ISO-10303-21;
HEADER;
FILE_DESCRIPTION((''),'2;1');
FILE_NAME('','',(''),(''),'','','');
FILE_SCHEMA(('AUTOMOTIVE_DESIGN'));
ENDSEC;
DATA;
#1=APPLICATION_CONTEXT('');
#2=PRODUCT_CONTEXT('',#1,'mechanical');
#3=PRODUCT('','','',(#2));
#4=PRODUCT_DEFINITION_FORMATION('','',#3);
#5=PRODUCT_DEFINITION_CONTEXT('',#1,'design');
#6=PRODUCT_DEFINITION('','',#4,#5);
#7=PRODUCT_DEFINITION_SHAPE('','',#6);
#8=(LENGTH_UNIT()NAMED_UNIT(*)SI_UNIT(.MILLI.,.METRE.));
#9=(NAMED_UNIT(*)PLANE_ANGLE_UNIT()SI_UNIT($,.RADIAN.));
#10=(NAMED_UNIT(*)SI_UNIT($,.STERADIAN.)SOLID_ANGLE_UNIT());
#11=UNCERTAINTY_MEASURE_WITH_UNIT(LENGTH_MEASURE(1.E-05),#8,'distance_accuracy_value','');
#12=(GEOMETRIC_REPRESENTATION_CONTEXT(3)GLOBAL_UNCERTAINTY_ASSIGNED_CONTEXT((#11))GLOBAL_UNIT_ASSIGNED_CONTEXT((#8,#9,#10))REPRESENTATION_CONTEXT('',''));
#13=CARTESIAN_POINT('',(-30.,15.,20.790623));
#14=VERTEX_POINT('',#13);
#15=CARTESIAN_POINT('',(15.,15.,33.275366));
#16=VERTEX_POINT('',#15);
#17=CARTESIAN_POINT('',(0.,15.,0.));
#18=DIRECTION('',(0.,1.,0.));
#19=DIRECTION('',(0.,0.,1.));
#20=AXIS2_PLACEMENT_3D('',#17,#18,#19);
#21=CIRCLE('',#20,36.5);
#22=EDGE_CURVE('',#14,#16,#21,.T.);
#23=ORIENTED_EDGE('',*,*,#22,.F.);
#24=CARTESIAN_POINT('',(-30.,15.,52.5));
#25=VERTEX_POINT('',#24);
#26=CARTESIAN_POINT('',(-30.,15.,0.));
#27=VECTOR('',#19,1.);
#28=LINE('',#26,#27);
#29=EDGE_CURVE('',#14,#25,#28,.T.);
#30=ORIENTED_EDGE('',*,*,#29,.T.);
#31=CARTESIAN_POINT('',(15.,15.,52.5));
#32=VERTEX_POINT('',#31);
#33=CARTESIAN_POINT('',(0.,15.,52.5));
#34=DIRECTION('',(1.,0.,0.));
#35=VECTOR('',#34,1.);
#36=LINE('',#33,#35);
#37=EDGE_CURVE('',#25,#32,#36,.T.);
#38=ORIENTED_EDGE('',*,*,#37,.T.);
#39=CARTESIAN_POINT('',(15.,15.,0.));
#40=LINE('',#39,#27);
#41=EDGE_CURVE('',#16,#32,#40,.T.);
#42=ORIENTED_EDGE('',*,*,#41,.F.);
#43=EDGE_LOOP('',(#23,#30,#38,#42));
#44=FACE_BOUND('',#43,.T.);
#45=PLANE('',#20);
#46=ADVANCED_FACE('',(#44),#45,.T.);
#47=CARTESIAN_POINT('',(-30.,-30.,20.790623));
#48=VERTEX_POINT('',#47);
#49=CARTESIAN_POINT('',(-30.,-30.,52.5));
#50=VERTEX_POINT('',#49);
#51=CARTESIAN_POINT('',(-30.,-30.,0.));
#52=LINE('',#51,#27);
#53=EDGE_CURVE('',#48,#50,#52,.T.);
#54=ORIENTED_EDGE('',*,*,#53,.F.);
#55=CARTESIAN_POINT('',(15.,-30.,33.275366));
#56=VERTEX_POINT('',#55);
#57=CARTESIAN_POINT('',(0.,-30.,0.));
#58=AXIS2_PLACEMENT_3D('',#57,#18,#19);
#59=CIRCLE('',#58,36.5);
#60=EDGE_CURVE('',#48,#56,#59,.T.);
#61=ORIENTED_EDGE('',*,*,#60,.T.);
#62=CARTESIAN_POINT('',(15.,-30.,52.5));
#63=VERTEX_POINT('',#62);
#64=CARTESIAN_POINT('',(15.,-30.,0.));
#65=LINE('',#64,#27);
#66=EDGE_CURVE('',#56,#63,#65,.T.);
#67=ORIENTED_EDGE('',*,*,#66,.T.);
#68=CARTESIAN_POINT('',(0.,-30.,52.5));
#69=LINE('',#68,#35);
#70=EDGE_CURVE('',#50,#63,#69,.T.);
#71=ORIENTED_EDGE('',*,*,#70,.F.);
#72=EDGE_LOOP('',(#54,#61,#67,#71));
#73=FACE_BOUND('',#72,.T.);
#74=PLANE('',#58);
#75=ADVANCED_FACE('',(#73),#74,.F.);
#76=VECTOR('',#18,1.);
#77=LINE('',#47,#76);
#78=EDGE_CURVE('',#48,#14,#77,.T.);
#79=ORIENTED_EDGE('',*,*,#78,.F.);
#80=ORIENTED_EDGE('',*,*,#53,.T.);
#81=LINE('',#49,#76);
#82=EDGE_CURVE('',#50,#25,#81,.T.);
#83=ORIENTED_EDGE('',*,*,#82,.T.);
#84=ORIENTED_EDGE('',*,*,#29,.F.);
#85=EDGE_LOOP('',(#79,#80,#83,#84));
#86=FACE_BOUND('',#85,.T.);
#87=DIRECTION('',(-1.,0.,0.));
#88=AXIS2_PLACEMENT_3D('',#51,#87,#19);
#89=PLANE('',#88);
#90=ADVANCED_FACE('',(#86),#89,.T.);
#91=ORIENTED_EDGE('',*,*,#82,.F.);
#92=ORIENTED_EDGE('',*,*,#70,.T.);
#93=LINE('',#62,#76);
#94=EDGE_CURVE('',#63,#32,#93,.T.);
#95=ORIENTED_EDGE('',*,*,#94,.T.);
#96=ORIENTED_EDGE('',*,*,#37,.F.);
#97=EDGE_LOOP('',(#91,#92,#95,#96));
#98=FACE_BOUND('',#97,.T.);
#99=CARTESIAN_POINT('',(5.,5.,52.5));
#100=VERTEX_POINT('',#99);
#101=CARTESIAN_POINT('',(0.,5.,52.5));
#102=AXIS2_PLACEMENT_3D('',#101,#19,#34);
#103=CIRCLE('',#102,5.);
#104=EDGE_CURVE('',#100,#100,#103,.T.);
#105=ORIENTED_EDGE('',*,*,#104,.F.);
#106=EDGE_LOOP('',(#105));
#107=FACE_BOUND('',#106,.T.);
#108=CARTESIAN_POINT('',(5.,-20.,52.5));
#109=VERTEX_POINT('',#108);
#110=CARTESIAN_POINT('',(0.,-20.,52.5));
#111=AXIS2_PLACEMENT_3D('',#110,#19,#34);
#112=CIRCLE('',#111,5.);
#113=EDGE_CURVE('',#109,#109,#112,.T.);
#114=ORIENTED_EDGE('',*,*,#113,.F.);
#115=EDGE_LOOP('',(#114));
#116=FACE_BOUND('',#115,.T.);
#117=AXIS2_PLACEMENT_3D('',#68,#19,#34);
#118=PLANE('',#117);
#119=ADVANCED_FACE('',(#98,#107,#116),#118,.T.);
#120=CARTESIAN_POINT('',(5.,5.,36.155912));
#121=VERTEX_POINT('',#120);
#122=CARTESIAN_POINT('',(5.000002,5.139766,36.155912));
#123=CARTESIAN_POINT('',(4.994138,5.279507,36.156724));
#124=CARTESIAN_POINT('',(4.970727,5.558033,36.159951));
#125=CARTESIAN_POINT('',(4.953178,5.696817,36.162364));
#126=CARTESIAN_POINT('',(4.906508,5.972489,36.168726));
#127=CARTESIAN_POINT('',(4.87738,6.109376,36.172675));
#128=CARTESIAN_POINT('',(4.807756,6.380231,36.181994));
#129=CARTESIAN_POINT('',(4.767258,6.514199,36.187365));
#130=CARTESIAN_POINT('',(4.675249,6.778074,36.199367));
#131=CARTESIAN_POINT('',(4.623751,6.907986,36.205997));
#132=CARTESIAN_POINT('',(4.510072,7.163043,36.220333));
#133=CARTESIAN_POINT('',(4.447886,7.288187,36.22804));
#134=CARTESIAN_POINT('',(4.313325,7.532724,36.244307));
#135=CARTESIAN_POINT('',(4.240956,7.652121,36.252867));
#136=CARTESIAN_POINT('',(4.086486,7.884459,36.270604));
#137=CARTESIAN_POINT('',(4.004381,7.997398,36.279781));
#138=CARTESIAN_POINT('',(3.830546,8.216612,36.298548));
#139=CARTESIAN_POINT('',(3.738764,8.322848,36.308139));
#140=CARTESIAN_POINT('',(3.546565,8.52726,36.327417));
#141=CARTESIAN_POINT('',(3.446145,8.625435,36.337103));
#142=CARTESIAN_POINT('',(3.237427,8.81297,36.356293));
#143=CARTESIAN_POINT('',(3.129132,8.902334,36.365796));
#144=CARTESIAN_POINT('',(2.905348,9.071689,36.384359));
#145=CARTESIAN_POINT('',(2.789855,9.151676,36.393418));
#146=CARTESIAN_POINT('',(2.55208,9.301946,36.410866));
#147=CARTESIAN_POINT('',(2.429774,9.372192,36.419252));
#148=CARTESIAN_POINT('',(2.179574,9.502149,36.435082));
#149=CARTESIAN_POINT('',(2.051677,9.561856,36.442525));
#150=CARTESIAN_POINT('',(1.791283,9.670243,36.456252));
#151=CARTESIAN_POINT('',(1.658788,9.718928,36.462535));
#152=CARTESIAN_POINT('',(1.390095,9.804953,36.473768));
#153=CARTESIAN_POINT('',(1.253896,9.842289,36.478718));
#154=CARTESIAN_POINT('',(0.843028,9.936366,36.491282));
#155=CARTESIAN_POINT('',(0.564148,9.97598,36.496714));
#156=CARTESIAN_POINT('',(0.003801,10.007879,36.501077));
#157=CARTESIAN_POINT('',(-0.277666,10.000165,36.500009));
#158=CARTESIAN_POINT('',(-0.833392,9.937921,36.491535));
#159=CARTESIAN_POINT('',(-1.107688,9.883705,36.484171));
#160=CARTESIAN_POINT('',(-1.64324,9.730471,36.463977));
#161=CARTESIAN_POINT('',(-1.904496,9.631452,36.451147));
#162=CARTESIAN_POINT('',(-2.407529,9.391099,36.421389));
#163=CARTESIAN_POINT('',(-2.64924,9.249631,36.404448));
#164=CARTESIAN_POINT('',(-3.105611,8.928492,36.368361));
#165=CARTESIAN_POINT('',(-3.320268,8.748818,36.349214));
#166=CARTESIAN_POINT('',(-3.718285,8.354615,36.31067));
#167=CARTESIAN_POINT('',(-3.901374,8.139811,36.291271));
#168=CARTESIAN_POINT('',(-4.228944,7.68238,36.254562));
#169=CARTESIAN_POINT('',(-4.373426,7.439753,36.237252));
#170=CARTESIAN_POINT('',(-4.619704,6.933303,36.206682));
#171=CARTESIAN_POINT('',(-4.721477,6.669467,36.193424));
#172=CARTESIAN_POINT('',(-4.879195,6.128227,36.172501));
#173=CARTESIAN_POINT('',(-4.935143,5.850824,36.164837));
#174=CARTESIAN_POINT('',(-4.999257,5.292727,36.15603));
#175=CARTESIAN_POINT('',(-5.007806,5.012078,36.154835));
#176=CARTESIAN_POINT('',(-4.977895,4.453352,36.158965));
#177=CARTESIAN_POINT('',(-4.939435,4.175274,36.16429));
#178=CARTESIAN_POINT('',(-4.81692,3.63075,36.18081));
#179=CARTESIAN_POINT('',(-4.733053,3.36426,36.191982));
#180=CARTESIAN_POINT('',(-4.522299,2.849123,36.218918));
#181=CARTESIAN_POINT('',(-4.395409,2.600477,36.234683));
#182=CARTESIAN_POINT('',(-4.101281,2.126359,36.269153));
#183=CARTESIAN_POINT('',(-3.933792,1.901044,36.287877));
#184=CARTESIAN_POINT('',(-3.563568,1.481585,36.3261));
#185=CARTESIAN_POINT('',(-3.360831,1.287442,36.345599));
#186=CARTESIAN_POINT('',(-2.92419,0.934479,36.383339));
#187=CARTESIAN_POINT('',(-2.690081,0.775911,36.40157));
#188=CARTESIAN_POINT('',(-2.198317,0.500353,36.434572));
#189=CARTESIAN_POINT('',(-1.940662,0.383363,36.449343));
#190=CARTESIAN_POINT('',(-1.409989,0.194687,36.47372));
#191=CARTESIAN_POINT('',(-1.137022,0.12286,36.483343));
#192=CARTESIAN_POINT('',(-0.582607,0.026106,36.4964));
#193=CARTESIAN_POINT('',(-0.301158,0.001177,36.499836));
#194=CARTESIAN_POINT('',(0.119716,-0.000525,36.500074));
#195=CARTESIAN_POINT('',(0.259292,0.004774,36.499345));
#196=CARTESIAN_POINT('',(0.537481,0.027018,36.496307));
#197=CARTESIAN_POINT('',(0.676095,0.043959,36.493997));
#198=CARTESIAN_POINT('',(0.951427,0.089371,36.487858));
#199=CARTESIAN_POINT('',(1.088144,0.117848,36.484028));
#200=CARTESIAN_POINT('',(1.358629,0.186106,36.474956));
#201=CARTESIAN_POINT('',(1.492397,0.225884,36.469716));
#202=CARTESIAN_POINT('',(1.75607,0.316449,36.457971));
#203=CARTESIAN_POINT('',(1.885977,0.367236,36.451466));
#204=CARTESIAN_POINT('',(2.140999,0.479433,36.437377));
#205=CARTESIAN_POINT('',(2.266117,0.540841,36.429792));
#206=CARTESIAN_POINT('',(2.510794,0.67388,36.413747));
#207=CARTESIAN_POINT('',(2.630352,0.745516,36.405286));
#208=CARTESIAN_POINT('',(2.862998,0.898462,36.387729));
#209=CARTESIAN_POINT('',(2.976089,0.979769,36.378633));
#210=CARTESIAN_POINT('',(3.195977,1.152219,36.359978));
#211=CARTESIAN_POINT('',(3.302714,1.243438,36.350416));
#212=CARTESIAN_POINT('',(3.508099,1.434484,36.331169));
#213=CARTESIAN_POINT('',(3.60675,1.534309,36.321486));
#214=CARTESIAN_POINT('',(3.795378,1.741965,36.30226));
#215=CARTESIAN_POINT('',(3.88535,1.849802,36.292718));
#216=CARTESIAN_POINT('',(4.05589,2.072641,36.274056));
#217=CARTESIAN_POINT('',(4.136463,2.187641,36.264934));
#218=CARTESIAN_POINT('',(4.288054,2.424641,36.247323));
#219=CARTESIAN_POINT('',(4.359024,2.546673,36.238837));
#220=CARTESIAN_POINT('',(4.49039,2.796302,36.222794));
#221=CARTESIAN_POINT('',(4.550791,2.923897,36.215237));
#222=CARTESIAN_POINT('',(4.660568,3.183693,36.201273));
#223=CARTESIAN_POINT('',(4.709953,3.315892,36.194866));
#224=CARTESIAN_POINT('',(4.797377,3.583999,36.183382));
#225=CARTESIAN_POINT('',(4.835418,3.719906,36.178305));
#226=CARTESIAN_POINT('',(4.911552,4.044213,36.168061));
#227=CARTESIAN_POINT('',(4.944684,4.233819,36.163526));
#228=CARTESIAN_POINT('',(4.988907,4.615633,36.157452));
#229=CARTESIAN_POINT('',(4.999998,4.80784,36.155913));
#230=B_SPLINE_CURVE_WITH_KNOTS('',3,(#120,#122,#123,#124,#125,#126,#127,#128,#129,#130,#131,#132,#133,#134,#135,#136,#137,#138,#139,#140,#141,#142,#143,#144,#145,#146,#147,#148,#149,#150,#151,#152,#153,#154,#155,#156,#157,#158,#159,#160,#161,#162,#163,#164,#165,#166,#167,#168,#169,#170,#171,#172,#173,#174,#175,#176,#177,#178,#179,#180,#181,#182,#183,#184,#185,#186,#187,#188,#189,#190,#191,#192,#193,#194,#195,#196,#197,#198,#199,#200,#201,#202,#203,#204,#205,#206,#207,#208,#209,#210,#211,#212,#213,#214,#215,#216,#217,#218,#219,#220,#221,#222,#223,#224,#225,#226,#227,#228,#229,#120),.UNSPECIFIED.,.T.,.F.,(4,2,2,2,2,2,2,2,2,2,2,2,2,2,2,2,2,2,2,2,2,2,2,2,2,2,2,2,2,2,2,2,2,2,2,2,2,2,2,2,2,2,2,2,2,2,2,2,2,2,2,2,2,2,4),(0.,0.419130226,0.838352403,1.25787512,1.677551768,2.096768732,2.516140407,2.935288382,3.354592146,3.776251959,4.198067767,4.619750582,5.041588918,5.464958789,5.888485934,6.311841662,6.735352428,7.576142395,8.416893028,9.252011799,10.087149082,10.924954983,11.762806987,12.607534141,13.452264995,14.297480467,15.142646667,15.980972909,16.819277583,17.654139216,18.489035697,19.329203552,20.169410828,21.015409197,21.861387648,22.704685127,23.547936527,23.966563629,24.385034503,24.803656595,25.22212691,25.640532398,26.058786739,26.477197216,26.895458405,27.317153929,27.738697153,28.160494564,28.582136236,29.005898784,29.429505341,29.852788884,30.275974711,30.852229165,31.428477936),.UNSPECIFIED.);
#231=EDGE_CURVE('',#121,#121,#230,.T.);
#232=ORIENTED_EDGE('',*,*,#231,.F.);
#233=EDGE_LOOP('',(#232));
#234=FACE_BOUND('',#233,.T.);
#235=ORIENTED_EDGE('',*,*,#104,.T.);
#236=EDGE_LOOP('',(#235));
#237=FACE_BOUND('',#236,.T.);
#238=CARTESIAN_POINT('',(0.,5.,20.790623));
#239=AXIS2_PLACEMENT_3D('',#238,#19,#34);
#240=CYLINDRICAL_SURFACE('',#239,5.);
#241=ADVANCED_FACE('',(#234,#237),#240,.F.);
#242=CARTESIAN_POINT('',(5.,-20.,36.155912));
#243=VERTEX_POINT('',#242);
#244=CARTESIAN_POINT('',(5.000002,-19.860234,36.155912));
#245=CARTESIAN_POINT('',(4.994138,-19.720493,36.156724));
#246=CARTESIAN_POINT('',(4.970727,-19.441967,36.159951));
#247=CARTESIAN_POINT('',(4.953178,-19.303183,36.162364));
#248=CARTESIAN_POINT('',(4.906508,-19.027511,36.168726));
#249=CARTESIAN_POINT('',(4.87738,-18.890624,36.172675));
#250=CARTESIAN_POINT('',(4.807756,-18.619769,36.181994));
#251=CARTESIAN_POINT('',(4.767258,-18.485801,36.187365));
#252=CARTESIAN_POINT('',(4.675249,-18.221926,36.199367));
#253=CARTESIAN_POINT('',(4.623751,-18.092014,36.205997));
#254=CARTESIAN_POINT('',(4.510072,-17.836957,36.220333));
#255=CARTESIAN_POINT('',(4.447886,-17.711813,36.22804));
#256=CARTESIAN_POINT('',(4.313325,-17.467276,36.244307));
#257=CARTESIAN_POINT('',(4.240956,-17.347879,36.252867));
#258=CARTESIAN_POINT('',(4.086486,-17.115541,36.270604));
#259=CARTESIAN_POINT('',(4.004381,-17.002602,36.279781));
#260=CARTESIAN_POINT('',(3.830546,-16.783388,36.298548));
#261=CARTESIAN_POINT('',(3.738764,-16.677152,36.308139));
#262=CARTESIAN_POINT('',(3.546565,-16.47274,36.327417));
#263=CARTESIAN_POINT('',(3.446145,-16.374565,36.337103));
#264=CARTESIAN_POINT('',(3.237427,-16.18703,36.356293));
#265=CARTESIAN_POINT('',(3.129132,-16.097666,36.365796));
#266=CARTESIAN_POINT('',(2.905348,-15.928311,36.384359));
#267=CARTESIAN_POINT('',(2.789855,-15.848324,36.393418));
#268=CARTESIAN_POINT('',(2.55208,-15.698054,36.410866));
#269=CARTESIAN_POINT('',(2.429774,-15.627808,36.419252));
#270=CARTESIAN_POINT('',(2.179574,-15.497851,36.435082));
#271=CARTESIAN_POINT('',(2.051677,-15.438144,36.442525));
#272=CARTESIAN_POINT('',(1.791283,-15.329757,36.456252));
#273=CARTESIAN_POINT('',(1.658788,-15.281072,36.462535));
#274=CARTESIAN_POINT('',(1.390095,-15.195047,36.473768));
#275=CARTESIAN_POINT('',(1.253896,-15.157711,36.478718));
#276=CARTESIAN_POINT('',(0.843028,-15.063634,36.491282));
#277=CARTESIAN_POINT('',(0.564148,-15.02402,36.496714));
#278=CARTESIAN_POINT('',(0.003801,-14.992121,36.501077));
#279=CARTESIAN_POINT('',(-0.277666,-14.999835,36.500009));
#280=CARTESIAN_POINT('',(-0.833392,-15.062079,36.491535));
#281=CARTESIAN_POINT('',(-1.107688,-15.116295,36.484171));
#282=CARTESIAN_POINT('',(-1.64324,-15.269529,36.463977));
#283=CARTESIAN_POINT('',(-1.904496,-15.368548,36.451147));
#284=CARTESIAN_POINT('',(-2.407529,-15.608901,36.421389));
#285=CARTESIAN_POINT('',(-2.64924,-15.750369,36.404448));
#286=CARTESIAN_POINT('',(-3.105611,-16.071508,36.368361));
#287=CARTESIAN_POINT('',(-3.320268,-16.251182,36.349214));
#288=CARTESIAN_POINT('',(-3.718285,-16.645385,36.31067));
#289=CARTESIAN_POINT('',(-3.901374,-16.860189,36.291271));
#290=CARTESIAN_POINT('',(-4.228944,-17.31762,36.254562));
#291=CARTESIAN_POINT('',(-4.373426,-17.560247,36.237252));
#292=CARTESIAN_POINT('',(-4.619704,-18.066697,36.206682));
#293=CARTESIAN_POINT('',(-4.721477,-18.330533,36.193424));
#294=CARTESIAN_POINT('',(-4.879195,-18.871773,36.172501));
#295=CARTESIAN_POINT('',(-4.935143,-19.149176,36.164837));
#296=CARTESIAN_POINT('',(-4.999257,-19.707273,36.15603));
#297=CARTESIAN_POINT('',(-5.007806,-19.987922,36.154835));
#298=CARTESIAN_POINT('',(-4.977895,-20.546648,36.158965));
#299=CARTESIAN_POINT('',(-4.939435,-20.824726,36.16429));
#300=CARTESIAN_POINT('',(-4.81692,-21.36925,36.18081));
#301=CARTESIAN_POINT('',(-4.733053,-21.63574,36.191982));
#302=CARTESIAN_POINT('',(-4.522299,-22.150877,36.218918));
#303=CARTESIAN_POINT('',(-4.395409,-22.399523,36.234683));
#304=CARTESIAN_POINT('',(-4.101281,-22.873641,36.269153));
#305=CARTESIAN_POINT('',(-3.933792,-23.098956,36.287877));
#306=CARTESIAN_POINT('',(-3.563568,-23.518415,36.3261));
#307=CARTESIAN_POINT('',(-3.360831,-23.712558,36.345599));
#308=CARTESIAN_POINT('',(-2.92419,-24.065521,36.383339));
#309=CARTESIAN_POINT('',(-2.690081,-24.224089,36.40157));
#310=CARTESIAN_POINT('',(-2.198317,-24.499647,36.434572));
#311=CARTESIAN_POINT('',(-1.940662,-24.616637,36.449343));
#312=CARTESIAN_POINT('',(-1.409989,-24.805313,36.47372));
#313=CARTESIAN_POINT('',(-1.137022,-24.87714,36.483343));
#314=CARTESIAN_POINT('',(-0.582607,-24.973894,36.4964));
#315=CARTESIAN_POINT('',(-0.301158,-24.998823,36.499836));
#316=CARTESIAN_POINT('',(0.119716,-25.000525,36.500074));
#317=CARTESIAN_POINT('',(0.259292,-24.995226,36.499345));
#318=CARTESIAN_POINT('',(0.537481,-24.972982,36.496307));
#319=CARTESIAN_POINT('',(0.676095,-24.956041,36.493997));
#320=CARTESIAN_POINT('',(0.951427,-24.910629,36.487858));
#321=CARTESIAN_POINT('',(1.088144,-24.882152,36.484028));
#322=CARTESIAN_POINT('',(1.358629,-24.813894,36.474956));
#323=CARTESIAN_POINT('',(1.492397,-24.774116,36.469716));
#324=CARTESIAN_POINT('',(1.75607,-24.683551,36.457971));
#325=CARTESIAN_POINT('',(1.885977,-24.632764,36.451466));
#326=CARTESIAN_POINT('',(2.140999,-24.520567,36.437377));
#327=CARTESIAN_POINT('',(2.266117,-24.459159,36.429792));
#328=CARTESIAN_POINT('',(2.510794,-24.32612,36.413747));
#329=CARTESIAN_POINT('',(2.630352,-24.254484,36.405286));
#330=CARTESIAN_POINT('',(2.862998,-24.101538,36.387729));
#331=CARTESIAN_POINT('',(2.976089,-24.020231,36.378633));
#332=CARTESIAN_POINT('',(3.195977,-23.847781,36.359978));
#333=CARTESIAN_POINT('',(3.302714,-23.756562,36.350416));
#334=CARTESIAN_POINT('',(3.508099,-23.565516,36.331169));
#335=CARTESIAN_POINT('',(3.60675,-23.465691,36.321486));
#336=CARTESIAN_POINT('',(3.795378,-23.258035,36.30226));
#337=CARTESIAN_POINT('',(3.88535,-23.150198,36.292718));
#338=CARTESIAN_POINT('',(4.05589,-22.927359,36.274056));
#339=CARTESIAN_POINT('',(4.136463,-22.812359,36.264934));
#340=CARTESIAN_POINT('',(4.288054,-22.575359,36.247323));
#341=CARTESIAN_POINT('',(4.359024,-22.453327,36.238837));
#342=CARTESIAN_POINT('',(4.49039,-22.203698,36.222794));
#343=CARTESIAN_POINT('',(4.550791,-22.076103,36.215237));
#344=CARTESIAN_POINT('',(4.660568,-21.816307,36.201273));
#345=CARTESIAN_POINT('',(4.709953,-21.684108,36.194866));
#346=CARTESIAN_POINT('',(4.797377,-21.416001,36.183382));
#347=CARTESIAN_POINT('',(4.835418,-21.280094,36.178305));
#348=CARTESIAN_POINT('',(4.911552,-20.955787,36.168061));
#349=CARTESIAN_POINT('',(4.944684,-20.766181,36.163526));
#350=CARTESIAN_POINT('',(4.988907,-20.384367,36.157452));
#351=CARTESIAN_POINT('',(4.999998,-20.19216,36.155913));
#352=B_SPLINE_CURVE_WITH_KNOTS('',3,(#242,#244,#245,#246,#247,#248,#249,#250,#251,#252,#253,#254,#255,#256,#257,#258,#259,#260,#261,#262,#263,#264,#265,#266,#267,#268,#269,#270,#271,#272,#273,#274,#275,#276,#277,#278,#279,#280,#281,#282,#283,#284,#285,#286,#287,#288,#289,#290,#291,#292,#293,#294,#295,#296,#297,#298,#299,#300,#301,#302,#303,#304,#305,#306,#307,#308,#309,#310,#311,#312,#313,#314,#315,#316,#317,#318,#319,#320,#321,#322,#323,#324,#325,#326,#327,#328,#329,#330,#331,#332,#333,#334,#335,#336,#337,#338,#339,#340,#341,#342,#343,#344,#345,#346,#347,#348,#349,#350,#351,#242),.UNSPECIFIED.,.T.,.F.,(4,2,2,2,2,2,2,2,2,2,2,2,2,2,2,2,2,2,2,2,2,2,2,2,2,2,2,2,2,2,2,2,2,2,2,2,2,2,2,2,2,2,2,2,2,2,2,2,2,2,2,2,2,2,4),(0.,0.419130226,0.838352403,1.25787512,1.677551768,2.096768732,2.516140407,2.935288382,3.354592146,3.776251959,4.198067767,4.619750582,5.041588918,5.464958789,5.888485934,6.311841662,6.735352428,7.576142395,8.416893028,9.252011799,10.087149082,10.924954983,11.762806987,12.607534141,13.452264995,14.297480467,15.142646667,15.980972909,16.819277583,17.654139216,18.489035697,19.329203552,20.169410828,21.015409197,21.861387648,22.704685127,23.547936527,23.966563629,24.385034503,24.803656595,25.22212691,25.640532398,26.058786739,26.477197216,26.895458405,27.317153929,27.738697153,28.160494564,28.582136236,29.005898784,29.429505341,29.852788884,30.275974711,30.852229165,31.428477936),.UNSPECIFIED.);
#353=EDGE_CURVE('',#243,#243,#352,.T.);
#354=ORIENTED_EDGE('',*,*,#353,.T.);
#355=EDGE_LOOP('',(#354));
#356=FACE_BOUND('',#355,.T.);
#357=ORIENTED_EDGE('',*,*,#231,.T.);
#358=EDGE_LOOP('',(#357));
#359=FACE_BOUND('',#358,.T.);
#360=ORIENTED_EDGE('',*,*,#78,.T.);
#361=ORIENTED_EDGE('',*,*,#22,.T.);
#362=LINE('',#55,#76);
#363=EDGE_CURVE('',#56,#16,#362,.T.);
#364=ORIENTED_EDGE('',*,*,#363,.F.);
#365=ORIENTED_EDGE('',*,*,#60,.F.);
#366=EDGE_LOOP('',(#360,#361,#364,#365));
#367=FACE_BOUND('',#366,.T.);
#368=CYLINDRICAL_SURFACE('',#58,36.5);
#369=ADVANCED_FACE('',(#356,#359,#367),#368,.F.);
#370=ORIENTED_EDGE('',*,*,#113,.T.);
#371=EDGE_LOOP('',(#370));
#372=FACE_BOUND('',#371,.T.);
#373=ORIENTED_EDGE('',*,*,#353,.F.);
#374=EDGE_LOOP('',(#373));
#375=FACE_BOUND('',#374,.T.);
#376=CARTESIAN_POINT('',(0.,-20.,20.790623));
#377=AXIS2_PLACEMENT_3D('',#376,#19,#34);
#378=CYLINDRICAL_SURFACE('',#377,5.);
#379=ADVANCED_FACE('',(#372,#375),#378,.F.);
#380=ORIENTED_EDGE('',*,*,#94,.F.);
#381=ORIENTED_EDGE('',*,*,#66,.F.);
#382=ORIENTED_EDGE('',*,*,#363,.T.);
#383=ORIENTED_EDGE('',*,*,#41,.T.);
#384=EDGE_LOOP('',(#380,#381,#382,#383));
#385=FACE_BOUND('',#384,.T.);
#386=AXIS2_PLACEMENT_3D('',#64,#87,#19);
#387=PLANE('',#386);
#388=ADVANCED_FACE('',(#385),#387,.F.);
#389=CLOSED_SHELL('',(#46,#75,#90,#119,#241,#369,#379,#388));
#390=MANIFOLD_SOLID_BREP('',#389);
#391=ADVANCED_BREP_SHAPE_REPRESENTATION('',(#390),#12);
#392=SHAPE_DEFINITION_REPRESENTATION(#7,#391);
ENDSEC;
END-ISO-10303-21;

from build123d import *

# Parameters (mm, degrees)
BOSS_EXTRUDE1_DEPTH      = 15
BOSS_EXTRUDE1_DEPTH_BACK = 30
SKETCH2_R                = 5
CUT_EXTRUDE1_DEPTH       = 53.966825438


with BuildPart() as part:
    # Sketch1 → Boss-Extrude1 (new, two sides: drawn at the far end of the back side and taken through both)
    with BuildSketch(Plane(origin=(0, 0, 0), x_dir=(1, 0, 0), z_dir=(0, 1, 0)).offset(-BOSS_EXTRUDE1_DEPTH_BACK)):
        with BuildLine():
            ThreePointArc((15, -33.275366264), (-9.757930329, -35.171477019), (-30, -20.790622886))
            Line((-30, -20.790622886), (-30, -52.5))
            Line((-30, -52.5), (15, -52.5))
            Line((15, -52.5), (15, -33.275366264))
        make_face()
    extrude(amount=BOSS_EXTRUDE1_DEPTH + BOSS_EXTRUDE1_DEPTH_BACK)

    # Sketch2 → Cut-Extrude1 (cut, through all)
    with BuildSketch(Plane.XY.offset(52.5)):
        with Locations((0, -20)):
            Circle(SKETCH2_R)
        with Locations((0, 5)):
            Circle(SKETCH2_R)
    extrude(amount=-CUT_EXTRUDE1_DEPTH, mode=Mode.SUBTRACT)


solid = part.part
